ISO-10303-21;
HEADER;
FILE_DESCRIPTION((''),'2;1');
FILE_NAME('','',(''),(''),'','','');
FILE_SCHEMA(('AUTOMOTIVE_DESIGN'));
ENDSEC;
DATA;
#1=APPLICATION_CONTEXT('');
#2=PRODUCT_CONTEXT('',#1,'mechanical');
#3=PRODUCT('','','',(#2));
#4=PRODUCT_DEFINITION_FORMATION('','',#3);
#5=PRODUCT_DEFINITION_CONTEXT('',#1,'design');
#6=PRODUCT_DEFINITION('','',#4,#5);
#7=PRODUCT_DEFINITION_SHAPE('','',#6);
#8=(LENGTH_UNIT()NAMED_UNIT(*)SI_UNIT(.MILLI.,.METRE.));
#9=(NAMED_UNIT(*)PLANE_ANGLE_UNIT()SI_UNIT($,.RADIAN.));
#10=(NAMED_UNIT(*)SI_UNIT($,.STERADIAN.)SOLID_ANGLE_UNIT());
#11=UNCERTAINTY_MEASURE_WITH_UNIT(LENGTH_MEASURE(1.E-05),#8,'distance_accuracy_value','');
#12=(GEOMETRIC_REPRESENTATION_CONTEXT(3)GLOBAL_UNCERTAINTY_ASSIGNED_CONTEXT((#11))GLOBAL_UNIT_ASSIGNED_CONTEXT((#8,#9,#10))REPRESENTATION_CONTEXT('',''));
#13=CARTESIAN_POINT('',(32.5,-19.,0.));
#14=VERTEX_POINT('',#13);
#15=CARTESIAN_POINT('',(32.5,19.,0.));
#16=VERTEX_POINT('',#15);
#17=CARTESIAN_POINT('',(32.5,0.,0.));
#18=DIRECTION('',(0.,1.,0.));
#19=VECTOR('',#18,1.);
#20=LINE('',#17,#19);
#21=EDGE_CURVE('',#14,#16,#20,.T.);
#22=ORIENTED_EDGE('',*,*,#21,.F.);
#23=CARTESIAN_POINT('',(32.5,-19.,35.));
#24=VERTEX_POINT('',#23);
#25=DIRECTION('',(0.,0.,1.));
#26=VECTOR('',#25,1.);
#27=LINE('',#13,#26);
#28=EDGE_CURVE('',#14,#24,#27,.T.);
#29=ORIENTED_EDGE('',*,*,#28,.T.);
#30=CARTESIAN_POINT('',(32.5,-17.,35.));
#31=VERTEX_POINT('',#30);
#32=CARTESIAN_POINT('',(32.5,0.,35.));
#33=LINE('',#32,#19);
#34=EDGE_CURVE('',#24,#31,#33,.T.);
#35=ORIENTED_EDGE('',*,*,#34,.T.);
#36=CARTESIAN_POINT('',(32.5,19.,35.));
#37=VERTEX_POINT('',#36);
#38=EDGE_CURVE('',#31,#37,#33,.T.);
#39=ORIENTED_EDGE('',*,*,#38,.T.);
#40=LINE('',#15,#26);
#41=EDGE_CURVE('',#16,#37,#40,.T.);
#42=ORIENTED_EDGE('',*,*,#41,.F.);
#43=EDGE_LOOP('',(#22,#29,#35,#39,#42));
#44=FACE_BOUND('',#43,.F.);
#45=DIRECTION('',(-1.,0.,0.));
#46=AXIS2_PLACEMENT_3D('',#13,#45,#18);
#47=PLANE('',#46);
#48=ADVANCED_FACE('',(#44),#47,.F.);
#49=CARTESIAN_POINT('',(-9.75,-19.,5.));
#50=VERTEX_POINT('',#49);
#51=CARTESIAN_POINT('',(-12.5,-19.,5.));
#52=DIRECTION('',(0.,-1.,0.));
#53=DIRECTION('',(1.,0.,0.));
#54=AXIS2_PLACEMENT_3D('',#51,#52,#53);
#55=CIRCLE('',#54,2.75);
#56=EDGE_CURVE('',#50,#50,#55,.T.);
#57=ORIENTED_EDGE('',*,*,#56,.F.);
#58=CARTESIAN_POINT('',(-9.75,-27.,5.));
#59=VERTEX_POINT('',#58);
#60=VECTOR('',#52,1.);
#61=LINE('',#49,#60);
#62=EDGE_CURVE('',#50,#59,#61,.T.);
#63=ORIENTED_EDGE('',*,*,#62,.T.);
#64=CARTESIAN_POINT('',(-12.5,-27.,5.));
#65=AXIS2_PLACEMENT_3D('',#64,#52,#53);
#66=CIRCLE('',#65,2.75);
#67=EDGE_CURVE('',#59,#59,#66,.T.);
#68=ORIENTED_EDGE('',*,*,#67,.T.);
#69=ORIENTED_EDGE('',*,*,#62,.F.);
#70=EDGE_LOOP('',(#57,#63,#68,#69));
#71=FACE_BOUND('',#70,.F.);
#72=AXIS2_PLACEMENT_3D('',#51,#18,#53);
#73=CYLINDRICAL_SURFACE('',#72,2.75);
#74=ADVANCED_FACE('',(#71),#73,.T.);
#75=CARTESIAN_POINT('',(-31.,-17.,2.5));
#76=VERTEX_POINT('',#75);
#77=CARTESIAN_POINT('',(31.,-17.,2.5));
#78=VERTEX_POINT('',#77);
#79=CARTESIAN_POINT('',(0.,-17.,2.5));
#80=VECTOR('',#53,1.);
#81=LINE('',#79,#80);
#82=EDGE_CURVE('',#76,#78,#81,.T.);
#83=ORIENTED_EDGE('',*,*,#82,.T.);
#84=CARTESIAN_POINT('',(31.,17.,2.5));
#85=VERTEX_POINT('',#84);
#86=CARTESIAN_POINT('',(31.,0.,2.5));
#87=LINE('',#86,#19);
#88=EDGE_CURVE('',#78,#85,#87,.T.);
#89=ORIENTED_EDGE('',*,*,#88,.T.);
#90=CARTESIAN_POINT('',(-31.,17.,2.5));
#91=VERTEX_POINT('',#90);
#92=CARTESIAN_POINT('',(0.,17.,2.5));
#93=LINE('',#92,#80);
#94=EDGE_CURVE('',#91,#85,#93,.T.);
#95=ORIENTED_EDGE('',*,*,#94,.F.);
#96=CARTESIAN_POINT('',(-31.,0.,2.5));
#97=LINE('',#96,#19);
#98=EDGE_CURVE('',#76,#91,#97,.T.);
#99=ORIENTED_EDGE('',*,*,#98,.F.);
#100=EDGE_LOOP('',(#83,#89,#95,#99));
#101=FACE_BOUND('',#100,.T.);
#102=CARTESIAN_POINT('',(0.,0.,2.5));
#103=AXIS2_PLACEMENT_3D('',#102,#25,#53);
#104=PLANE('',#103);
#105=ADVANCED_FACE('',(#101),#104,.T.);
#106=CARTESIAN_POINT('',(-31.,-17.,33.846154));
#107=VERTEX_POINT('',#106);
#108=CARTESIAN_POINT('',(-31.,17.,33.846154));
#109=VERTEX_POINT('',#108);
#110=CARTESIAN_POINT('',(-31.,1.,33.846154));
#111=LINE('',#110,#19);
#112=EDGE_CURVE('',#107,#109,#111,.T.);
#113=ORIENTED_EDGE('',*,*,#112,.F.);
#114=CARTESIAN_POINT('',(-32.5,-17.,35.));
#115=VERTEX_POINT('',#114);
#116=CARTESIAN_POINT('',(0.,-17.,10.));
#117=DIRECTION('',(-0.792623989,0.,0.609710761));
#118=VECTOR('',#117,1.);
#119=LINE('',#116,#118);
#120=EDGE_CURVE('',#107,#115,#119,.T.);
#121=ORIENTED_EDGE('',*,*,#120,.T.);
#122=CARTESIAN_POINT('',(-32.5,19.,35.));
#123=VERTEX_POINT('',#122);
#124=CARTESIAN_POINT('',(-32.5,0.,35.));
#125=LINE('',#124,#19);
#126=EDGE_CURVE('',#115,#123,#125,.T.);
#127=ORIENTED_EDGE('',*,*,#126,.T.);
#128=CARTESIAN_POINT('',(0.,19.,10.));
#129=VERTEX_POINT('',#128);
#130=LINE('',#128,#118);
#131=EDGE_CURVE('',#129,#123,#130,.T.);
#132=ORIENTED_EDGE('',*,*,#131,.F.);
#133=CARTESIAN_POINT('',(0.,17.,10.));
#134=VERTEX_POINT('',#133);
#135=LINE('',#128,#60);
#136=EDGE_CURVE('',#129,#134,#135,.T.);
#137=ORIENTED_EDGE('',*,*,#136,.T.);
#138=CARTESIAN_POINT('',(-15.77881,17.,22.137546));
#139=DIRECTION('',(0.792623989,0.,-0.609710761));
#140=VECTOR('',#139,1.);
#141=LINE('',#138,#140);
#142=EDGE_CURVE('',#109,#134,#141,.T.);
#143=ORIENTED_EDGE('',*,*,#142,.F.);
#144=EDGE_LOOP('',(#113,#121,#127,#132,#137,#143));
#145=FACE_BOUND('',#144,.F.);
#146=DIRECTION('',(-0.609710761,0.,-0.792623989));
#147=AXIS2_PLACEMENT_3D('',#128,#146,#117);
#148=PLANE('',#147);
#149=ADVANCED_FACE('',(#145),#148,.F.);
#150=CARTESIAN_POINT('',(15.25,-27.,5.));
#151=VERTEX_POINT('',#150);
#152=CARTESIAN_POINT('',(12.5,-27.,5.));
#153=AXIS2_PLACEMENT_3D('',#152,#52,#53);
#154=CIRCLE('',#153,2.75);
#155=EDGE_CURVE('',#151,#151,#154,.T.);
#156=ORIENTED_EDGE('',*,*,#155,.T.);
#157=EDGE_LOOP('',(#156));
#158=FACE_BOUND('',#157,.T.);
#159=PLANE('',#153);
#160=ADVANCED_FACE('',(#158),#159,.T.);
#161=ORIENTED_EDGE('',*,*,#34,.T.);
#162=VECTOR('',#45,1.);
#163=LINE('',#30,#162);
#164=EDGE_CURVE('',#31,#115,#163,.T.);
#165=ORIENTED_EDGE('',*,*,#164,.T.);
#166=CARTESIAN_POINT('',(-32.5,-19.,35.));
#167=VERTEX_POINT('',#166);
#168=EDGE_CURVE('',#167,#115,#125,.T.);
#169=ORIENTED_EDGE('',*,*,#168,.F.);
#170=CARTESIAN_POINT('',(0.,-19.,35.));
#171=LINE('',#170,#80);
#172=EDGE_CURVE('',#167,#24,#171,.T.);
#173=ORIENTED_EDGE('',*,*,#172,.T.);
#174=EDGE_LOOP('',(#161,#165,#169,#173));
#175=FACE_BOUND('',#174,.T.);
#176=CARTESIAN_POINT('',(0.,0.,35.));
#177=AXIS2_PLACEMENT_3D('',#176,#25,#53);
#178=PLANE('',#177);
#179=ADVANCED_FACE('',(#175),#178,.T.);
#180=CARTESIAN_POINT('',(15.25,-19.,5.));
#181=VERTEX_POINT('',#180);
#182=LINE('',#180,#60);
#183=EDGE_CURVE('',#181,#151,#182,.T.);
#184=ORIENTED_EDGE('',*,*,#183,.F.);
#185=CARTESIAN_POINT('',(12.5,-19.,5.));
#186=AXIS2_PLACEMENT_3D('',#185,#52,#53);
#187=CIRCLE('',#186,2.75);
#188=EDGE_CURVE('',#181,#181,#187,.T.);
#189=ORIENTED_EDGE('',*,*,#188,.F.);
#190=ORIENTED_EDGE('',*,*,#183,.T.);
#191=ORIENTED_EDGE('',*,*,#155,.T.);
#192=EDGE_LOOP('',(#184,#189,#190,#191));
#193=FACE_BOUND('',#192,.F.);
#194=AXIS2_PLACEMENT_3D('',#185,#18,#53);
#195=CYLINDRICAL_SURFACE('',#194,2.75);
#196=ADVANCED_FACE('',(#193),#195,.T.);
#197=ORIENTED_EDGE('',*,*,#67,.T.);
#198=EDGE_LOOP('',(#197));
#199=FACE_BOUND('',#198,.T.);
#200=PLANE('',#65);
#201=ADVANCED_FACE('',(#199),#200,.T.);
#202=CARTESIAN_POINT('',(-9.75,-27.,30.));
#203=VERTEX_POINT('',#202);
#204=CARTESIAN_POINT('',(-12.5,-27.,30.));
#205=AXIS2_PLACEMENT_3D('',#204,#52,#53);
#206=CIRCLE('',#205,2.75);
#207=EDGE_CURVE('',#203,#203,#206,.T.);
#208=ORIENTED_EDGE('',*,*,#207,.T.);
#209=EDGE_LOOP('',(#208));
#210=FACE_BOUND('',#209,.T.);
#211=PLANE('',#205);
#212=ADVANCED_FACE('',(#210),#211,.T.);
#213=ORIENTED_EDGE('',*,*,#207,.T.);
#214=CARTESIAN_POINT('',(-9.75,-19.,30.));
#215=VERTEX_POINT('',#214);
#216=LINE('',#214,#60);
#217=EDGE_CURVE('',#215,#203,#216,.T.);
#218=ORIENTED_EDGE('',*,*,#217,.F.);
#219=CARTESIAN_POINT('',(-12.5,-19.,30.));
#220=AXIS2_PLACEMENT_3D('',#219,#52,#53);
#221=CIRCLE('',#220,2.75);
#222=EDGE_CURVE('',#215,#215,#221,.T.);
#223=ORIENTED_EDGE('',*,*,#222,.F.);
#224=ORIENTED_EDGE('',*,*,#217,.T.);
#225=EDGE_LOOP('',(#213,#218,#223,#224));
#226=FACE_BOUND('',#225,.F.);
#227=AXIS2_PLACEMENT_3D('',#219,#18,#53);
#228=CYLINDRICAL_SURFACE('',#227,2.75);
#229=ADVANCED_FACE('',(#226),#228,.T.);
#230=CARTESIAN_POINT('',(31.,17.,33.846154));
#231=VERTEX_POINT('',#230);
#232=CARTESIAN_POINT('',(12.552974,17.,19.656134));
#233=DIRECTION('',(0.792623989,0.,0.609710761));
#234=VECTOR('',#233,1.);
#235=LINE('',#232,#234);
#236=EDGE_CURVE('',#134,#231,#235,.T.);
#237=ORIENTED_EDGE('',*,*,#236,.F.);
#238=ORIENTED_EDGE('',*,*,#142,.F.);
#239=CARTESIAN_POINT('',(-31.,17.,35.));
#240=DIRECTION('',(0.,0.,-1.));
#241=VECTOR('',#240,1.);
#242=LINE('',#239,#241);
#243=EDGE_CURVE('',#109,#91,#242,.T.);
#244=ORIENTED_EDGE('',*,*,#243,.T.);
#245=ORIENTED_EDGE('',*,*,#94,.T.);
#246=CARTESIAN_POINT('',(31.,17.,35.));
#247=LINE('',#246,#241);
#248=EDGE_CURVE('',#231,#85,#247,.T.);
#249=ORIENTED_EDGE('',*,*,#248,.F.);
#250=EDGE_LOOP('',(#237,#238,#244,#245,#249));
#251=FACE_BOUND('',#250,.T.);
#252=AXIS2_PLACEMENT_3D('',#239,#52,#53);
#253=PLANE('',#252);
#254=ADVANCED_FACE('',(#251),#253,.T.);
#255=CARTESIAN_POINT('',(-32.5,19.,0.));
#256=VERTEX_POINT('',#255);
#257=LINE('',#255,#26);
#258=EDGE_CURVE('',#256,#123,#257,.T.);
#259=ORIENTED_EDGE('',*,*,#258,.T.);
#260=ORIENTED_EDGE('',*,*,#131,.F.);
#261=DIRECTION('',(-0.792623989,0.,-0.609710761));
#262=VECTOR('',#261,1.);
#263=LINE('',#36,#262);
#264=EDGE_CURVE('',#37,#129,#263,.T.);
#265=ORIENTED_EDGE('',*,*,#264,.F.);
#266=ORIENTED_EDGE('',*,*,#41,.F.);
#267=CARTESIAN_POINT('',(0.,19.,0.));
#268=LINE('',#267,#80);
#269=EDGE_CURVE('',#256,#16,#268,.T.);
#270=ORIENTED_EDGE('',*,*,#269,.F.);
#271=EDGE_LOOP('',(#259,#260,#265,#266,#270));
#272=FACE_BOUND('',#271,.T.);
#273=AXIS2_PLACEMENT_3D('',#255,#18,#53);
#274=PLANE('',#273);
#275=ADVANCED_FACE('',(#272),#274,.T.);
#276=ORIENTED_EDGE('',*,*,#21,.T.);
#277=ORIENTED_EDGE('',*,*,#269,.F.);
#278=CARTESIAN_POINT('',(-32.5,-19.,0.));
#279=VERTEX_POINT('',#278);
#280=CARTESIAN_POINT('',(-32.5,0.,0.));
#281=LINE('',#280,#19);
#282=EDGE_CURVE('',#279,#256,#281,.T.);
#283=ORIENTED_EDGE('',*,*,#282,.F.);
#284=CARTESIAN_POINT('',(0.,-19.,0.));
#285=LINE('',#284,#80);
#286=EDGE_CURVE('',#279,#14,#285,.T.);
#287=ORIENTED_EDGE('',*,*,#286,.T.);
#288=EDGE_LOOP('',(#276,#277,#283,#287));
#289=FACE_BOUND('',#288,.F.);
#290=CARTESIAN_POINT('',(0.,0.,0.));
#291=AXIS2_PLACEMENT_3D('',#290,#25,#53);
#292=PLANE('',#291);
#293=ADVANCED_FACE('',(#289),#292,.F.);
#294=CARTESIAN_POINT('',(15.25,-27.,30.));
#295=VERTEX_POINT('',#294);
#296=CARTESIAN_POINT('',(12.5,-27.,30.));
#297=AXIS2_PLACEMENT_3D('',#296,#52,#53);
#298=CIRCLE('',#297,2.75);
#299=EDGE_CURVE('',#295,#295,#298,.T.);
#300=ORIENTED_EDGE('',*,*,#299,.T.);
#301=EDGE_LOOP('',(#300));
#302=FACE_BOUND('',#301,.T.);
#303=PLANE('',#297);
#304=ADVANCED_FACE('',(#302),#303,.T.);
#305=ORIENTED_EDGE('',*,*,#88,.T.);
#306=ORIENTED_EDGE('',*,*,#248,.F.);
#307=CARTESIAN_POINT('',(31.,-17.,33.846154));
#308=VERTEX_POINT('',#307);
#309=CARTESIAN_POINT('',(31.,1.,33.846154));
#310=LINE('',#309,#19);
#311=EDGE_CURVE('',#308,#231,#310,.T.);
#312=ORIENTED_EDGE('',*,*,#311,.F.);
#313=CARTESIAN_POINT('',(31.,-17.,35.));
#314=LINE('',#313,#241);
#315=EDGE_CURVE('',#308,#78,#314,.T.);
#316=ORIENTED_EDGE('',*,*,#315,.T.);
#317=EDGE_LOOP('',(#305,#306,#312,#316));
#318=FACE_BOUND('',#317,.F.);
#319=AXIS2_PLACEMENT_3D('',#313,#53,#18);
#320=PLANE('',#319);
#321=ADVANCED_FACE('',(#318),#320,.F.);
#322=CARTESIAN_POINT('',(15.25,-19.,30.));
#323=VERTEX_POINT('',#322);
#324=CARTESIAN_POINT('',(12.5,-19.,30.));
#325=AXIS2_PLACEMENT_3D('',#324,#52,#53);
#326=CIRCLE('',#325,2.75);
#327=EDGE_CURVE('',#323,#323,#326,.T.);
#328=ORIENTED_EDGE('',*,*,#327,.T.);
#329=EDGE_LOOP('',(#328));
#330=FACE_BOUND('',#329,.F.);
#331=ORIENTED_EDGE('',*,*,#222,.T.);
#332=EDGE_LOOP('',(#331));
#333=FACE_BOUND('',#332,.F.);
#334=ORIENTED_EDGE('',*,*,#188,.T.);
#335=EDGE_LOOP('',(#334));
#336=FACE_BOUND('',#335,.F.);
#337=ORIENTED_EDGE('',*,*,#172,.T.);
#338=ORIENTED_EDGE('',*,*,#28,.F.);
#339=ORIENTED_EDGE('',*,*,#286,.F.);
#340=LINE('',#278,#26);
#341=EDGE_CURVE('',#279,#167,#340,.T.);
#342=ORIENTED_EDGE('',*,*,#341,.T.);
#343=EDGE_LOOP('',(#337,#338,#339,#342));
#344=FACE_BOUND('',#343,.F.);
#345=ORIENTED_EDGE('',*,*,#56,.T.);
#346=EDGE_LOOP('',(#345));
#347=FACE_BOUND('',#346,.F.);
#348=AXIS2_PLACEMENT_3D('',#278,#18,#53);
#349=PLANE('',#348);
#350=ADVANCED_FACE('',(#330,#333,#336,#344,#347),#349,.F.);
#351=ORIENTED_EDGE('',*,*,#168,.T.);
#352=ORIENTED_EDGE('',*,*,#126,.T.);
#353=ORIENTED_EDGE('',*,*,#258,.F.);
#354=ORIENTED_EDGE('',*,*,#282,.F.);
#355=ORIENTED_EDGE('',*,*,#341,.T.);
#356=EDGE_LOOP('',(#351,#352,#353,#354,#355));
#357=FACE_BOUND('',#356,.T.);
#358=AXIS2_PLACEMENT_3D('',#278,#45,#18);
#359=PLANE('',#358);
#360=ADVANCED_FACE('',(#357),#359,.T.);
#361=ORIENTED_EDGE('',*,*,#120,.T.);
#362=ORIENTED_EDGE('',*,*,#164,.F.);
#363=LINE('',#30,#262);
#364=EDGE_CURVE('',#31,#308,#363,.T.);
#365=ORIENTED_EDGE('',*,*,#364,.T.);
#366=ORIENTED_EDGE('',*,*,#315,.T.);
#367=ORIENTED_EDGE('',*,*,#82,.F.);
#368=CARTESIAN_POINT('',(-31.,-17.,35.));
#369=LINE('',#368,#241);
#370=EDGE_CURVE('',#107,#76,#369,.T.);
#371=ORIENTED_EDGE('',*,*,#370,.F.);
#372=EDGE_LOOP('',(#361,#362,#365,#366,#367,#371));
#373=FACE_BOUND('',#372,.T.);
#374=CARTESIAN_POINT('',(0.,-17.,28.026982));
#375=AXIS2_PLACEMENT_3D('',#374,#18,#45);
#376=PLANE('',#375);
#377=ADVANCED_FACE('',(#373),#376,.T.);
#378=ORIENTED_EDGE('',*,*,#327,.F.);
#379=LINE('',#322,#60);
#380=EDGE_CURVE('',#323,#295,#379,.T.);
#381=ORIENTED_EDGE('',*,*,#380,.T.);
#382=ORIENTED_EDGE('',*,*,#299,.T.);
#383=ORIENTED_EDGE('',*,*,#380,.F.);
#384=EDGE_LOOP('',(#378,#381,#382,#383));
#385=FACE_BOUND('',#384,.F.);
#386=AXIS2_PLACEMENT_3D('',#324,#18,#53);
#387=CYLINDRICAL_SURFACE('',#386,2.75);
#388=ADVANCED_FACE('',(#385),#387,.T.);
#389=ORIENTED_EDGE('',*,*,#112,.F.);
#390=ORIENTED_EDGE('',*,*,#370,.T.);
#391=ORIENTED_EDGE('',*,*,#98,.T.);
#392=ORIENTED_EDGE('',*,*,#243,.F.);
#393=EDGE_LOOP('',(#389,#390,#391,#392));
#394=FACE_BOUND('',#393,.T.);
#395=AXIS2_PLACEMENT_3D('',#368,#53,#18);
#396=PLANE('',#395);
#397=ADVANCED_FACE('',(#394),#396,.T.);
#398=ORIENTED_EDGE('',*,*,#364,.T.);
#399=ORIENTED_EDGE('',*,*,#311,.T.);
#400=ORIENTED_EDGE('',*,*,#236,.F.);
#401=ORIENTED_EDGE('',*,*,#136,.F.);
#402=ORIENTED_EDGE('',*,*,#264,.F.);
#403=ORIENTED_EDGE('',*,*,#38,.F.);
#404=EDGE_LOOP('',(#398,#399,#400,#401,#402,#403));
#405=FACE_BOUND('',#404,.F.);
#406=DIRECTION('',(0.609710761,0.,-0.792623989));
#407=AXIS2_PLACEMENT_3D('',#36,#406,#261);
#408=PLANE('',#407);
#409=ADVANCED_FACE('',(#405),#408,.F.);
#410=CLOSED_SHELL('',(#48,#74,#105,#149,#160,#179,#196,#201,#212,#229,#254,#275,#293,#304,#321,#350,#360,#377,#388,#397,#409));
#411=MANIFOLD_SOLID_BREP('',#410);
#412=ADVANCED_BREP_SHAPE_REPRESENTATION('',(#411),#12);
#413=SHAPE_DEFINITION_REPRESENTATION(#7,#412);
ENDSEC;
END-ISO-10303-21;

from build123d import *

# Parameters (mm, degrees)
F0_W     = 65
F0_H     = 38
F1_DEPTH = 35
F2_W     = 62
F2_H     = 34
F3_DEPTH = 32.5
F4_R     = 2.75
F5_DEPTH = 8
F7_DEPTH = 36


with BuildPart() as f1:
    # F0 (on Top) → F1 (new body)
    with BuildSketch(Plane.XY):
        Rectangle(F0_W, F0_H)
    extrude(amount=F1_DEPTH)

    # F2 (on face) → F3 (cut)
    with BuildSketch(Plane.XY.offset(35)):
        Rectangle(F2_W, F2_H)
    extrude(amount=-F3_DEPTH, mode=Mode.SUBTRACT)

    # F4 (on face) → F5 (join)
    with BuildSketch(Plane.XZ.offset(19)):
        with Locations((-12.5, 5)):
            Circle(F4_R)
        with Locations((-12.5, 30)):
            Circle(F4_R)
        with Locations((12.5, 30)):
            Circle(F4_R)
        with Locations((12.5, 5)):
            Circle(F4_R)
    extrude(amount=F5_DEPTH)

    # F6 (on face) → F7 (cut, through all)
    with BuildSketch(Plane(origin=(0, 19, 0), x_dir=(-1, 0, 0), z_dir=(0, 1, 0))):
        Polygon((32.5, 35), (-32.5, 35), (0, 10), align=None)
    extrude(amount=-F7_DEPTH, mode=Mode.SUBTRACT)


solid = f1.part
